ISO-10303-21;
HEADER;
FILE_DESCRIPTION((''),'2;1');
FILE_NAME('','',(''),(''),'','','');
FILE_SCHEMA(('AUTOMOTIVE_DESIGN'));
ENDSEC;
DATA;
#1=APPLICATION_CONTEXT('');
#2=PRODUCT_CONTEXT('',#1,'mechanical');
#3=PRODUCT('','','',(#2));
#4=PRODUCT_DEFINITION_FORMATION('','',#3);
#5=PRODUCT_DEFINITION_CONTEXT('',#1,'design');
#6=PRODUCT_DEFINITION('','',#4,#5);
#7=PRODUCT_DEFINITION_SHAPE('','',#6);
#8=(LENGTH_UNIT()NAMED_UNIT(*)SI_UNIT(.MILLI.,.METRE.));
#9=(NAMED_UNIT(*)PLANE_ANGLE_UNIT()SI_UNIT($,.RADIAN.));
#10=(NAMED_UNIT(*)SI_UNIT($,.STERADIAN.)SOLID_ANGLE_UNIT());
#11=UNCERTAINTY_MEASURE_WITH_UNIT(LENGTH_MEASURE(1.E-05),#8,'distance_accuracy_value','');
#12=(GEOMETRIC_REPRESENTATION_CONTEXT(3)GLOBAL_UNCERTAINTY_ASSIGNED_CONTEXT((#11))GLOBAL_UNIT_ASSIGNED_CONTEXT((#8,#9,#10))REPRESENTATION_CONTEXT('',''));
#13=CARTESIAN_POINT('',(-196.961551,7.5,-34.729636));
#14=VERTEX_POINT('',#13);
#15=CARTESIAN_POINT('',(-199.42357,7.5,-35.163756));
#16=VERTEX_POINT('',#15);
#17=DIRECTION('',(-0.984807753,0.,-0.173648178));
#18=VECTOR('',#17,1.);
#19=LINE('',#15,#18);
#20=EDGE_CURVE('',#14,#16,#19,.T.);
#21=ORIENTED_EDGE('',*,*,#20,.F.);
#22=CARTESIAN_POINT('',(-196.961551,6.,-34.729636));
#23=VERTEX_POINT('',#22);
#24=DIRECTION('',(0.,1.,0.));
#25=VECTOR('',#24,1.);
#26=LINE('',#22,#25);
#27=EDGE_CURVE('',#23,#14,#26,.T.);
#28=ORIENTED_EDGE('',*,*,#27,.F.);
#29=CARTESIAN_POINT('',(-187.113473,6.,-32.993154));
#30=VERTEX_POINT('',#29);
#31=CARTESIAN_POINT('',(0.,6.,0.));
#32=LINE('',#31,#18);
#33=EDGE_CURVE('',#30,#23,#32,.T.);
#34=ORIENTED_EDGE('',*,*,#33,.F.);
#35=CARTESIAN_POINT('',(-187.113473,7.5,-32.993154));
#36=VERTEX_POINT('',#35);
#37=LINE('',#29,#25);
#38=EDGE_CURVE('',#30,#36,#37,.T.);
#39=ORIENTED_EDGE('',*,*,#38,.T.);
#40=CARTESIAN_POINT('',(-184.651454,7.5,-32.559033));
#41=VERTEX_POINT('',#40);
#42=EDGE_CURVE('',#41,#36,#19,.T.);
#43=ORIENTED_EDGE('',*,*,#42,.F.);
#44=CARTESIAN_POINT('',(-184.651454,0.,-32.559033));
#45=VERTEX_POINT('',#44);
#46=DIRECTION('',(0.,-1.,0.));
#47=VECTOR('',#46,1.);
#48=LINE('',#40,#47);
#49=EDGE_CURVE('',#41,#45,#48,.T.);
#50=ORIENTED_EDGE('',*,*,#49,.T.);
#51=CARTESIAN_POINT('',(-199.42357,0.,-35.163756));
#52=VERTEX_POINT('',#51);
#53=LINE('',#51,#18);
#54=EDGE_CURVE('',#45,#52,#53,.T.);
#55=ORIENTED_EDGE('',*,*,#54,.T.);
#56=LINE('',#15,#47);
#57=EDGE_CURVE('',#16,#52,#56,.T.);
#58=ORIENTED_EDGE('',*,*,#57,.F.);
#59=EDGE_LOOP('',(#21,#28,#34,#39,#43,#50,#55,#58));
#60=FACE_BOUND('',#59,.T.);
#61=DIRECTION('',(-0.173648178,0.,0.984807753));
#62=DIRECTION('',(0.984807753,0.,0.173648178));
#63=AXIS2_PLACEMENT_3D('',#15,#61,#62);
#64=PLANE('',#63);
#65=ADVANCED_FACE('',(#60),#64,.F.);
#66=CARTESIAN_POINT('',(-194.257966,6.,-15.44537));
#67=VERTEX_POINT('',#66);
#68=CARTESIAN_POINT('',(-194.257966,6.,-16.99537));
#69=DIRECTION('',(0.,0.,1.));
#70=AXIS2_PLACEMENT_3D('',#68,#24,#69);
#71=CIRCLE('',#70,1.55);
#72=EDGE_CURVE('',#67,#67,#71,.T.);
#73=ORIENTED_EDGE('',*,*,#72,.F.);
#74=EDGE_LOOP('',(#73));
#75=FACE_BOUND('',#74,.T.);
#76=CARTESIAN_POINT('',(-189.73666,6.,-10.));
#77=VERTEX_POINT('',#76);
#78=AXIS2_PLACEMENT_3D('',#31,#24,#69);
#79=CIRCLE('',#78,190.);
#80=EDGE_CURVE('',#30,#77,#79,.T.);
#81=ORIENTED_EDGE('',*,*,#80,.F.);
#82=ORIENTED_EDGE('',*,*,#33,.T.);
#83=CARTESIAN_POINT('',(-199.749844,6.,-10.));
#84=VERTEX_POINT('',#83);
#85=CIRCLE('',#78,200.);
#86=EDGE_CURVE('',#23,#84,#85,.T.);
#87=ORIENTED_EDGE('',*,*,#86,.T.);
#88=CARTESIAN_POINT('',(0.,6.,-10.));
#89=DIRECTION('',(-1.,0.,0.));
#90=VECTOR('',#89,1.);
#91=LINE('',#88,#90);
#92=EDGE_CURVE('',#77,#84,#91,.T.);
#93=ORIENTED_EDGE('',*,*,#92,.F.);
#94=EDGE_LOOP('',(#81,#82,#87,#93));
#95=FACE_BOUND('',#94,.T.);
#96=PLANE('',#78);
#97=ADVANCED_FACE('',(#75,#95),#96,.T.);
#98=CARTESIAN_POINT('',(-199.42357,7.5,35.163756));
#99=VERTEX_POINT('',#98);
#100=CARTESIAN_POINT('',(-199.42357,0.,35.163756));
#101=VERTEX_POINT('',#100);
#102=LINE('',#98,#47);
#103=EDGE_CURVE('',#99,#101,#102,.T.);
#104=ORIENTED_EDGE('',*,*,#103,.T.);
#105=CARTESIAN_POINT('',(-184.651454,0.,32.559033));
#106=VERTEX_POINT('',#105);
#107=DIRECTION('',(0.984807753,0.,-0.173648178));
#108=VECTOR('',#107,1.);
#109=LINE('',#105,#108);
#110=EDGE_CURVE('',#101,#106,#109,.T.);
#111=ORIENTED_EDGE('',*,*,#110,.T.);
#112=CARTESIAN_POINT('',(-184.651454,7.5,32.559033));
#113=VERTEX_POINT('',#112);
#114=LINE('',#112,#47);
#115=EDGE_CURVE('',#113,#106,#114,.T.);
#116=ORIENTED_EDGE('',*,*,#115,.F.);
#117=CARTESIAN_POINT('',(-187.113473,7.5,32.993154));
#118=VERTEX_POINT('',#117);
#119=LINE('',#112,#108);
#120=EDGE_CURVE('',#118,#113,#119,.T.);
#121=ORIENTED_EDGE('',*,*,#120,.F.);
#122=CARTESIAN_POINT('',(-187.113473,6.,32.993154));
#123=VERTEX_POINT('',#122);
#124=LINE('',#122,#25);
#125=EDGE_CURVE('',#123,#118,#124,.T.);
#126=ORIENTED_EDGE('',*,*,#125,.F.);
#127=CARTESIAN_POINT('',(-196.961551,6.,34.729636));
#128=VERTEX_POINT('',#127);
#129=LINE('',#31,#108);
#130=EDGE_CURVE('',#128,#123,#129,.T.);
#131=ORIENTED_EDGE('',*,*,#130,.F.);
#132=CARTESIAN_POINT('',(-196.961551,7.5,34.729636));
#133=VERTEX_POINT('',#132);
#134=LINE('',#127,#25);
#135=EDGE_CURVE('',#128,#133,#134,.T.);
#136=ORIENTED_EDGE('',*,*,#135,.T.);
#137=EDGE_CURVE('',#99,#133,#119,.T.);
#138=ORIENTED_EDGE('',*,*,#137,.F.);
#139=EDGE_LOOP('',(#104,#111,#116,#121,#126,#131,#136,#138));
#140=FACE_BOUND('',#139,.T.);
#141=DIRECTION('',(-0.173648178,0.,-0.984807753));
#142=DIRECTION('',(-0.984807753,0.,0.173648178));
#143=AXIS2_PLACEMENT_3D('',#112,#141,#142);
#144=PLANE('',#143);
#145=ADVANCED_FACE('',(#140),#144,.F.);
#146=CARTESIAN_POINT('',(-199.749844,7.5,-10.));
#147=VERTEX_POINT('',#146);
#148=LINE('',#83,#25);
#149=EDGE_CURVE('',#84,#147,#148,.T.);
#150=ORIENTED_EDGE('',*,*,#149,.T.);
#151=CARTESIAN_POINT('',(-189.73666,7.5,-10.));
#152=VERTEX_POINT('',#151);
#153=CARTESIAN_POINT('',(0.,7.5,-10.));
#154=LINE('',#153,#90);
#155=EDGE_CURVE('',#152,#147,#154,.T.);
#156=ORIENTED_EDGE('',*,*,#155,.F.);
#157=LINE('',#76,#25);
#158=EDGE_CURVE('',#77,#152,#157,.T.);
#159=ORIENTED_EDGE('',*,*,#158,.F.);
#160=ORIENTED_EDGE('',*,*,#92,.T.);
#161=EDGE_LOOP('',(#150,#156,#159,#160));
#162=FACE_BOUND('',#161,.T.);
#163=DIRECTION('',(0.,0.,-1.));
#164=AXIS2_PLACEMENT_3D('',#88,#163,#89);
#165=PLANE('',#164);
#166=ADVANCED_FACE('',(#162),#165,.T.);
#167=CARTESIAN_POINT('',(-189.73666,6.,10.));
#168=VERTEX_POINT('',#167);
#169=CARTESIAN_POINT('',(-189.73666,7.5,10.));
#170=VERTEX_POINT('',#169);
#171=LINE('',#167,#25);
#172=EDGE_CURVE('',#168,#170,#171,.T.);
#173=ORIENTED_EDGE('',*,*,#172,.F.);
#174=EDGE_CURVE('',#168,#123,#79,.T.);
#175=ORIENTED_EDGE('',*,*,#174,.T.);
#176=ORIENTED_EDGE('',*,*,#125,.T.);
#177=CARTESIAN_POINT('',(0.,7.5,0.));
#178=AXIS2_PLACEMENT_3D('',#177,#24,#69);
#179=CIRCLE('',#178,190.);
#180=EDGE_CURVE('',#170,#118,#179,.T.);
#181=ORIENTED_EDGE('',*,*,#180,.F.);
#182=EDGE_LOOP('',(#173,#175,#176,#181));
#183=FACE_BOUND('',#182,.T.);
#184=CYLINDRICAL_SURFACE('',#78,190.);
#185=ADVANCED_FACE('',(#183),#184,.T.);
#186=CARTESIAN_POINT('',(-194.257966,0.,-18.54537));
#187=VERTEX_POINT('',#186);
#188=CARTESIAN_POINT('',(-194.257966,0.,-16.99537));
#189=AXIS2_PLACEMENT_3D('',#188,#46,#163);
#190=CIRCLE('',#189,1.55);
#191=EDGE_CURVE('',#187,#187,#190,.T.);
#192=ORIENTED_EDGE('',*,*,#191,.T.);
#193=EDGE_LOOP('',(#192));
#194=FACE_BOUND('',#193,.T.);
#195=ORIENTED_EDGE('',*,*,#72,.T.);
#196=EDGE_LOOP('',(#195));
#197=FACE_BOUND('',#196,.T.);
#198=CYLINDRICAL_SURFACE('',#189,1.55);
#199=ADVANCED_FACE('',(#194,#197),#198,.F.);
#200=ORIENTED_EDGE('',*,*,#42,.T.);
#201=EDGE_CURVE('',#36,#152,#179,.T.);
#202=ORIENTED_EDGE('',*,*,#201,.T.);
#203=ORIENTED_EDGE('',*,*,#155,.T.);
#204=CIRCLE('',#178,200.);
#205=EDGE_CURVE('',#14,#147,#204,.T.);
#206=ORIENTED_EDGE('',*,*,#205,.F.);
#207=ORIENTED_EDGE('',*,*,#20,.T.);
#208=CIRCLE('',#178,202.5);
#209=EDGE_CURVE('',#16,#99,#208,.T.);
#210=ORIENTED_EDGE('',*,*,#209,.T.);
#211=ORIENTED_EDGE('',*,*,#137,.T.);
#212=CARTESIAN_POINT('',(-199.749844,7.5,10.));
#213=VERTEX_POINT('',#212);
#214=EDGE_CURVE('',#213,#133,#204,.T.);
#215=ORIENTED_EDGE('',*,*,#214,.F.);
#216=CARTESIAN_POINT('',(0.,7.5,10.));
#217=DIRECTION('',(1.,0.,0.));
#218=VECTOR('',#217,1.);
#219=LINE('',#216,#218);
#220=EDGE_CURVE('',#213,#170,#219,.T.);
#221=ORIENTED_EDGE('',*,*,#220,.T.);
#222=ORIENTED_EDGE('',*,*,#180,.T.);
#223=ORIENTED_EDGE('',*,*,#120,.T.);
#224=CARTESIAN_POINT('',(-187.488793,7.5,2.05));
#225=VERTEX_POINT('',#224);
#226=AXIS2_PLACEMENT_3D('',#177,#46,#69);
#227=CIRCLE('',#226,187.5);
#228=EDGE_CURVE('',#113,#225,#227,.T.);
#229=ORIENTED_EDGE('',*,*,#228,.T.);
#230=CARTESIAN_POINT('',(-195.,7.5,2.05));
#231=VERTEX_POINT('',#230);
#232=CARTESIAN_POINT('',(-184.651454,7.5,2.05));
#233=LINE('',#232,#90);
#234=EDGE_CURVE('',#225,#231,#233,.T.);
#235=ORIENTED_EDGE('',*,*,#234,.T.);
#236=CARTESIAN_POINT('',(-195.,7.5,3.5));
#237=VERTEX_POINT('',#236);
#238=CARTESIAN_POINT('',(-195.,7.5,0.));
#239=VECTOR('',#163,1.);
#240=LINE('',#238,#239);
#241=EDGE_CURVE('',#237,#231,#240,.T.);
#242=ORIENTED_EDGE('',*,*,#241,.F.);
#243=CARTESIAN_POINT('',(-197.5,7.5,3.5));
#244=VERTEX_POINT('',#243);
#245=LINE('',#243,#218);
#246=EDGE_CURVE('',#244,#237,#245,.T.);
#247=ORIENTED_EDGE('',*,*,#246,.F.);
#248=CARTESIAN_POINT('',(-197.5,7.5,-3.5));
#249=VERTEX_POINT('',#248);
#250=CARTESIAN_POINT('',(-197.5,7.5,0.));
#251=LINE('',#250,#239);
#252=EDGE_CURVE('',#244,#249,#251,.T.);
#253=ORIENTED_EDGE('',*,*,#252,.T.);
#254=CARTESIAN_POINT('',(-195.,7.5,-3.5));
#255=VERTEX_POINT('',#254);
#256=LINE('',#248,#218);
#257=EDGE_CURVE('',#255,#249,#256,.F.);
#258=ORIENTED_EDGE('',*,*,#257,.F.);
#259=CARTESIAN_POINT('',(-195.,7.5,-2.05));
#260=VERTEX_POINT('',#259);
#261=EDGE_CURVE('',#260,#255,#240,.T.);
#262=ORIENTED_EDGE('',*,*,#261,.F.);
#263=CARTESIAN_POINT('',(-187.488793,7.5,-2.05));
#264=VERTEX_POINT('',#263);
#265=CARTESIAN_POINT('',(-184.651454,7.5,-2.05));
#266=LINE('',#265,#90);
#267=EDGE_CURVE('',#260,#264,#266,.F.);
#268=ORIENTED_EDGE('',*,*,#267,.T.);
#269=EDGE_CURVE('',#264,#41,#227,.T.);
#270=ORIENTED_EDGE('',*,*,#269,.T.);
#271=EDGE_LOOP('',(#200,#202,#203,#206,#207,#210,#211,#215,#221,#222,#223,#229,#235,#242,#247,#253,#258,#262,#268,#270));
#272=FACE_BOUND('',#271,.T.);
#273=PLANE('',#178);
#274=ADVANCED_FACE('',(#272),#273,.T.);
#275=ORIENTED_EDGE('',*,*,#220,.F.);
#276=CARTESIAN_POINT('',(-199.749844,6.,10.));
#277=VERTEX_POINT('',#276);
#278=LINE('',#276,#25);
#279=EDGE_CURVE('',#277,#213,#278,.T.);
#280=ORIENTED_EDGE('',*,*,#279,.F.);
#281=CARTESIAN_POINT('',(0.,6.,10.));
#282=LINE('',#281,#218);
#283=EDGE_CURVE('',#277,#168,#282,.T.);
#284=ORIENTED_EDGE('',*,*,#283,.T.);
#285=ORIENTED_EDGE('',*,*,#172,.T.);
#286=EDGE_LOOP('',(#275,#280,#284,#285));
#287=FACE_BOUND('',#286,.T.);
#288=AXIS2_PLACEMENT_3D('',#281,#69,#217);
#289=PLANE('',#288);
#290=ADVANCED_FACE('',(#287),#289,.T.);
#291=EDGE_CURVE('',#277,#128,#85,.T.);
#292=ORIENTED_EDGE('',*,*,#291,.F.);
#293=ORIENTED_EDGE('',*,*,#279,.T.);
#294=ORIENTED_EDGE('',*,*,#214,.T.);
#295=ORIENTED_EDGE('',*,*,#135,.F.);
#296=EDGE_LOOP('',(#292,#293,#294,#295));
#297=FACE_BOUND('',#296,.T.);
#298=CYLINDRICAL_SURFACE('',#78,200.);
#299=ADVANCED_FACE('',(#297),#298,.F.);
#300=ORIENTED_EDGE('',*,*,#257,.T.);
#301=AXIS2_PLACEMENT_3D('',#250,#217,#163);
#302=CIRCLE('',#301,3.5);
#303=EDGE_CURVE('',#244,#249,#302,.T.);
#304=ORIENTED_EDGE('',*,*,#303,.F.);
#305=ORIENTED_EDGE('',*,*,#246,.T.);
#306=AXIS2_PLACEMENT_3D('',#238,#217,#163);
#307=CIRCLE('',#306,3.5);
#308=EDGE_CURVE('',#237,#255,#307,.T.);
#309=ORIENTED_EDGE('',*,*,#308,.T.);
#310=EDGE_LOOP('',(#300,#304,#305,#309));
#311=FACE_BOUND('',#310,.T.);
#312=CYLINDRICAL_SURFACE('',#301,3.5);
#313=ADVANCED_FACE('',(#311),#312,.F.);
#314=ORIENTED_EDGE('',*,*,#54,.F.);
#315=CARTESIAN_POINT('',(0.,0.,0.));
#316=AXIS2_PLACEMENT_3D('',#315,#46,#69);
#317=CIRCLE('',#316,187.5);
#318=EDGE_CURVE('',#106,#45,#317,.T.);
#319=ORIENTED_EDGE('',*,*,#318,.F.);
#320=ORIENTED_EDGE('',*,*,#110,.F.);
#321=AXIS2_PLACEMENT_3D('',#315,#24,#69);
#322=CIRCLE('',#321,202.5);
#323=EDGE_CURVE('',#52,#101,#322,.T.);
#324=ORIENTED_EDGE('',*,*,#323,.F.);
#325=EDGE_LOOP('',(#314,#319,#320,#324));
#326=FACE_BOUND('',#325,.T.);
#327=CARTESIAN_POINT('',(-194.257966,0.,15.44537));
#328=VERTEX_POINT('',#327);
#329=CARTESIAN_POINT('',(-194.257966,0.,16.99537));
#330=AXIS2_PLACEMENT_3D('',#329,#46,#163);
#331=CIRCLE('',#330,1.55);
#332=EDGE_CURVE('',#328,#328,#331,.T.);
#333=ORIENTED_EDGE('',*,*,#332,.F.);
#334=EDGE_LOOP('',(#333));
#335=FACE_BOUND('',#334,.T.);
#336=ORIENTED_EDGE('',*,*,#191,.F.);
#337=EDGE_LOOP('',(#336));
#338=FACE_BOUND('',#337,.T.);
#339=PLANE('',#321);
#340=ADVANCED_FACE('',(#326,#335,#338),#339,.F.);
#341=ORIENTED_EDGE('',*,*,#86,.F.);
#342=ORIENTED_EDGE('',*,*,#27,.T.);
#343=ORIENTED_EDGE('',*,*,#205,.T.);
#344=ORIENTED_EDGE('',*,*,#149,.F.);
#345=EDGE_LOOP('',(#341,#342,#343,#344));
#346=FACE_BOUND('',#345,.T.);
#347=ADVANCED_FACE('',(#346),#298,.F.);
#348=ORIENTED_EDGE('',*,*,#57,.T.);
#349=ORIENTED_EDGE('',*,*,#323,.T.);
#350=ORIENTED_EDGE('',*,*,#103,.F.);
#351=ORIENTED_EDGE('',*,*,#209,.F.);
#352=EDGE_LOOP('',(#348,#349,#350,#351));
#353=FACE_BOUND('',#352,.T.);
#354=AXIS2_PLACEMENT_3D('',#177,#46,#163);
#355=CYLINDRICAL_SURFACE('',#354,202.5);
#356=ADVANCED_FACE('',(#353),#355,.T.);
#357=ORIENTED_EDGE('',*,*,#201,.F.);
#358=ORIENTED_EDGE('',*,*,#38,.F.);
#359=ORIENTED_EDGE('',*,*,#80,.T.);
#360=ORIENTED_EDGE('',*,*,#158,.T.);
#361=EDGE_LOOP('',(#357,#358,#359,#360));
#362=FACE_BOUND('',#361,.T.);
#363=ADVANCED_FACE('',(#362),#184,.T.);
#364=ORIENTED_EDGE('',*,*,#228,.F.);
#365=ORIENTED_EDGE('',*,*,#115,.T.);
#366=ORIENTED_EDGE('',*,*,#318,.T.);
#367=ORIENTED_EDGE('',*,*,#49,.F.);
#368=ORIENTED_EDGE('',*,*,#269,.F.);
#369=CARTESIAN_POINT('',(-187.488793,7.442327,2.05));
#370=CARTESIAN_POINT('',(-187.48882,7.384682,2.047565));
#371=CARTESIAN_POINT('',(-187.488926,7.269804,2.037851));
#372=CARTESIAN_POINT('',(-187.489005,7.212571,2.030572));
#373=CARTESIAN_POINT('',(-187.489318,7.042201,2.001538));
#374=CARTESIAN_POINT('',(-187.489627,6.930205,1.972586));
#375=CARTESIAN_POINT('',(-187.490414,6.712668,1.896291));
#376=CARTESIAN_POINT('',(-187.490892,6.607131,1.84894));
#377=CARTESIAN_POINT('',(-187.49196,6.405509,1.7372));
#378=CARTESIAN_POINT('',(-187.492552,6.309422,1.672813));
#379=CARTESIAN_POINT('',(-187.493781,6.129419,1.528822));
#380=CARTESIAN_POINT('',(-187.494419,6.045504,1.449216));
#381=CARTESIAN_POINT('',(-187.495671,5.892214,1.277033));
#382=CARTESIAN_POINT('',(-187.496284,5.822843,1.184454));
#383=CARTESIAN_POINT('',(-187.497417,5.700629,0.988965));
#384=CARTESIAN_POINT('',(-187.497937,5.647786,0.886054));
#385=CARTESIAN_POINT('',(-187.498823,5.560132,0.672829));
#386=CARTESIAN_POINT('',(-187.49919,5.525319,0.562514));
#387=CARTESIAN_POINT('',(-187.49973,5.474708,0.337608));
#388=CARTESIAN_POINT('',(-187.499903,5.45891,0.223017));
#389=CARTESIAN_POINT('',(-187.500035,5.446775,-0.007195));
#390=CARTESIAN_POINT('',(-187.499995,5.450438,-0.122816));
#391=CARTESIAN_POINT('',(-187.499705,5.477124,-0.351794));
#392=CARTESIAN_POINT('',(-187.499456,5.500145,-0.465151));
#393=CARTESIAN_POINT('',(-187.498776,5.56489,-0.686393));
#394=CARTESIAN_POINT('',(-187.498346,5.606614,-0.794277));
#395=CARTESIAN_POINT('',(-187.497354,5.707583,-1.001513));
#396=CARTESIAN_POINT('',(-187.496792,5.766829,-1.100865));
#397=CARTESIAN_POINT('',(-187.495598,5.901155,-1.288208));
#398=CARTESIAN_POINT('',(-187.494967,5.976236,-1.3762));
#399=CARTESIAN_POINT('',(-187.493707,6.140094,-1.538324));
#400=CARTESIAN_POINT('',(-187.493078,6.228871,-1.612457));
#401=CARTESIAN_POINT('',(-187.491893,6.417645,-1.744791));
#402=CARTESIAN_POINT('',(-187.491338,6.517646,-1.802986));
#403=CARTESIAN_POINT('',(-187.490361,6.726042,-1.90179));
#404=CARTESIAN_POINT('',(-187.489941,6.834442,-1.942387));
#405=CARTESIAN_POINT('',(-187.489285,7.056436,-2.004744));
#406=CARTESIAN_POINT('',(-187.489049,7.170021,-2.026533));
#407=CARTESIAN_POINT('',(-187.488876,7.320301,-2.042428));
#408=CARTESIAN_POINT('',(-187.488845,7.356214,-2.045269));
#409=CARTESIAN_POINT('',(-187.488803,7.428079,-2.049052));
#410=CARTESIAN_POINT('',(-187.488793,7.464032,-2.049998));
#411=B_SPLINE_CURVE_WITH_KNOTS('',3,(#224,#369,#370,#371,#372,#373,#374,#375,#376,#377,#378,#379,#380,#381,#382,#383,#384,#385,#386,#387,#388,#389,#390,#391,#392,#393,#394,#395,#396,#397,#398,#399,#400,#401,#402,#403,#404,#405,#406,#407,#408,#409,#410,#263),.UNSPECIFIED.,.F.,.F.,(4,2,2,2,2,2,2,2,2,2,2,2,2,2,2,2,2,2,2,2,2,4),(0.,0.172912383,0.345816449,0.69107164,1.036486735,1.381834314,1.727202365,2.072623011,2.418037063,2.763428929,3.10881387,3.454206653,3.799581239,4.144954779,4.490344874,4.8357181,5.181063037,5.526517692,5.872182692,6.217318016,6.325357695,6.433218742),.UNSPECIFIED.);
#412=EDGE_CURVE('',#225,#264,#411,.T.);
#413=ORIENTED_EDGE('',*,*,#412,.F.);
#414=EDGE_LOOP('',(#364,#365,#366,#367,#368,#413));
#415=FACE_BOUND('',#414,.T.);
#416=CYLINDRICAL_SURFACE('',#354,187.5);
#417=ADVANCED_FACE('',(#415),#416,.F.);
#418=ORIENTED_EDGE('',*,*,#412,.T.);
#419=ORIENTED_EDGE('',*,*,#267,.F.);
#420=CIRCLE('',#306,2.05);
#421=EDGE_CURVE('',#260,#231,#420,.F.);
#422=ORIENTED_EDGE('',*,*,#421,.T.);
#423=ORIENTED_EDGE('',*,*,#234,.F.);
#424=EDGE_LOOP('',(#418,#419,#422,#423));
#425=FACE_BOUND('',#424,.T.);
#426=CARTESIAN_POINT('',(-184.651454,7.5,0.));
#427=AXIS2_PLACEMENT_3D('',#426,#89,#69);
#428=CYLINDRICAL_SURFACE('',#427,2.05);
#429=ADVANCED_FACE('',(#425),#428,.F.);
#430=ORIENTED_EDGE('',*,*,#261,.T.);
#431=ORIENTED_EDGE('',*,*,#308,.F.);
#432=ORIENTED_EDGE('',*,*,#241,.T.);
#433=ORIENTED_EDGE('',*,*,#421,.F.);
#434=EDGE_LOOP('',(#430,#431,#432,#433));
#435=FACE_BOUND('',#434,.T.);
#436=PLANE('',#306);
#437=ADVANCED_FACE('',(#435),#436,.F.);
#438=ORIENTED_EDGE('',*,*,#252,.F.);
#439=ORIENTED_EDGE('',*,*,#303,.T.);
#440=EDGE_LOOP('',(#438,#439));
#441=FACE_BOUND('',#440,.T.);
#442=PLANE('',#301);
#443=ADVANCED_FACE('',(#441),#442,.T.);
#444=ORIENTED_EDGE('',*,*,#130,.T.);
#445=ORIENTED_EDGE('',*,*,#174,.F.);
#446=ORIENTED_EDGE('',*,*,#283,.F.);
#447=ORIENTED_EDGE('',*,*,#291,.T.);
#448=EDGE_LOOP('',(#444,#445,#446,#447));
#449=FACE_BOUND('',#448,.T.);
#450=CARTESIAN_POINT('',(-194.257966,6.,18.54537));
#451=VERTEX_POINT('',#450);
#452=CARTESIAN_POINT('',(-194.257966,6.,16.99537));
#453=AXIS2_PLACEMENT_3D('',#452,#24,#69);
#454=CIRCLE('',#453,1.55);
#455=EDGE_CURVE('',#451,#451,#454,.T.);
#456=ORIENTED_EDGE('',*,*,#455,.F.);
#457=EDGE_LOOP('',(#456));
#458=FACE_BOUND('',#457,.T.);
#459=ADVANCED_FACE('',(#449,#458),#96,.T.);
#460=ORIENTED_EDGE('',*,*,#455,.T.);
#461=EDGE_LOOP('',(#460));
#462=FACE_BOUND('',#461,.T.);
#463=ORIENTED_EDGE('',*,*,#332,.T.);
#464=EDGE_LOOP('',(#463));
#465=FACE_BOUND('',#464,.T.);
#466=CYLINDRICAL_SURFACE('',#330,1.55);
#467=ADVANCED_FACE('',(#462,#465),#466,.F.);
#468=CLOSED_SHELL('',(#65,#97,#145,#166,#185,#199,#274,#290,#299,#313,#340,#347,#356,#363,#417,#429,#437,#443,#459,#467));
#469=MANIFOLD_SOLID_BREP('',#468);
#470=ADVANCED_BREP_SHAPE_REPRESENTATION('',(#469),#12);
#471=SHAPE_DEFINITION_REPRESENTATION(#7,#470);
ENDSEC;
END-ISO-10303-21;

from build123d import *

# Parameters (mm, degrees)
BOSS_EXTRUDE1_DEPTH        = 7.5
CUT_EXTRUDE1_DEPTH         = 1.5
SKETCH4_R                  = 3.5
CUT_EXTRUDE3_DEPTH         = 2.5
SKETCH5_R                  = 2.05
CUT_EXTRUDE4_DEPTH         = 38.414330746
F_3_1_3_1_DIAMETER_HOLE1_D = 3.1


with BuildPart() as part:
    # Sketch1 → Boss-Extrude1 (new body)
    with BuildSketch(Plane(origin=(0, 0, 0), x_dir=(1, 0, 0), z_dir=(0, 1, 0))):
        with BuildLine():
            Line((-199.423569985, 35.163755978), (-184.65145369, 32.559033313))
            ThreePointArc((-184.65145369, 32.559033313), (-187.5, 0), (-184.65145369, -32.559033313))
            Line((-184.65145369, -32.559033313), (-199.423569985, -35.163755978))
            ThreePointArc((-199.423569985, -35.163755978), (-202.5, 0), (-199.423569985, 35.163755978))
        make_face()
    extrude(amount=BOSS_EXTRUDE1_DEPTH)

    # Sketch2 → Cut-Extrude1 (cut)
    with BuildSketch(Plane(origin=(0, 7.5, 0), x_dir=(1, 0, 0), z_dir=(0, 1, 0))):
        with BuildLine():
            Line((-187.113473072, 32.993153757), (-196.961550602, 34.729635533))
            ThreePointArc((-196.961550602, 34.729635533), (-198.7407137, 22.408228804), (-199.749843554, 10))
            Line((-199.749843554, 10), (-189.73665961, 10))
            ThreePointArc((-189.73665961, 10), (-188.775466906, 21.536552519), (-187.113473072, 32.993153757))
        make_face()
        with BuildLine():
            Line((-189.73665961, -10), (-199.749843554, -10))
            ThreePointArc((-199.749843554, -10), (-198.7407137, -22.408228804), (-196.961550602, -34.729635533))
            Line((-196.961550602, -34.729635533), (-187.113473072, -32.993153757))
            ThreePointArc((-187.113473072, -32.993153757), (-188.775466906, -21.536552519), (-189.73665961, -10))
        make_face()
    extrude(amount=-CUT_EXTRUDE1_DEPTH, mode=Mode.SUBTRACT)

    # Sketch4 → Cut-Extrude3 (cut)
    with BuildSketch(Plane(origin=(-195, 0, 0), x_dir=(0, 0, -1), z_dir=(1, 0, 0))):
        with Locations((0, 7.5)):
            Circle(SKETCH4_R)
    extrude(amount=-CUT_EXTRUDE3_DEPTH, mode=Mode.SUBTRACT)

    # Sketch5 → Cut-Extrude4 (cut, through all)
    with BuildSketch(Plane(origin=(-195, 0, 0), x_dir=(0, 0, -1), z_dir=(1, 0, 0))):
        with Locations((0, 7.5)):
            Circle(SKETCH5_R)
    extrude(amount=CUT_EXTRUDE4_DEPTH, mode=Mode.SUBTRACT)

    # Ø3.1 (3.1) Diameter Hole1 (through all)
    with Locations(Plane(origin=(0, 0, 0), x_dir=(-1, 0, 0), z_dir=(0, -1, 0))):
        with Locations((194.257966128, -16.995369836), (194.257966128, 16.995369836)):
            Hole(F_3_1_3_1_DIAMETER_HOLE1_D / 2)


solid = part.part
